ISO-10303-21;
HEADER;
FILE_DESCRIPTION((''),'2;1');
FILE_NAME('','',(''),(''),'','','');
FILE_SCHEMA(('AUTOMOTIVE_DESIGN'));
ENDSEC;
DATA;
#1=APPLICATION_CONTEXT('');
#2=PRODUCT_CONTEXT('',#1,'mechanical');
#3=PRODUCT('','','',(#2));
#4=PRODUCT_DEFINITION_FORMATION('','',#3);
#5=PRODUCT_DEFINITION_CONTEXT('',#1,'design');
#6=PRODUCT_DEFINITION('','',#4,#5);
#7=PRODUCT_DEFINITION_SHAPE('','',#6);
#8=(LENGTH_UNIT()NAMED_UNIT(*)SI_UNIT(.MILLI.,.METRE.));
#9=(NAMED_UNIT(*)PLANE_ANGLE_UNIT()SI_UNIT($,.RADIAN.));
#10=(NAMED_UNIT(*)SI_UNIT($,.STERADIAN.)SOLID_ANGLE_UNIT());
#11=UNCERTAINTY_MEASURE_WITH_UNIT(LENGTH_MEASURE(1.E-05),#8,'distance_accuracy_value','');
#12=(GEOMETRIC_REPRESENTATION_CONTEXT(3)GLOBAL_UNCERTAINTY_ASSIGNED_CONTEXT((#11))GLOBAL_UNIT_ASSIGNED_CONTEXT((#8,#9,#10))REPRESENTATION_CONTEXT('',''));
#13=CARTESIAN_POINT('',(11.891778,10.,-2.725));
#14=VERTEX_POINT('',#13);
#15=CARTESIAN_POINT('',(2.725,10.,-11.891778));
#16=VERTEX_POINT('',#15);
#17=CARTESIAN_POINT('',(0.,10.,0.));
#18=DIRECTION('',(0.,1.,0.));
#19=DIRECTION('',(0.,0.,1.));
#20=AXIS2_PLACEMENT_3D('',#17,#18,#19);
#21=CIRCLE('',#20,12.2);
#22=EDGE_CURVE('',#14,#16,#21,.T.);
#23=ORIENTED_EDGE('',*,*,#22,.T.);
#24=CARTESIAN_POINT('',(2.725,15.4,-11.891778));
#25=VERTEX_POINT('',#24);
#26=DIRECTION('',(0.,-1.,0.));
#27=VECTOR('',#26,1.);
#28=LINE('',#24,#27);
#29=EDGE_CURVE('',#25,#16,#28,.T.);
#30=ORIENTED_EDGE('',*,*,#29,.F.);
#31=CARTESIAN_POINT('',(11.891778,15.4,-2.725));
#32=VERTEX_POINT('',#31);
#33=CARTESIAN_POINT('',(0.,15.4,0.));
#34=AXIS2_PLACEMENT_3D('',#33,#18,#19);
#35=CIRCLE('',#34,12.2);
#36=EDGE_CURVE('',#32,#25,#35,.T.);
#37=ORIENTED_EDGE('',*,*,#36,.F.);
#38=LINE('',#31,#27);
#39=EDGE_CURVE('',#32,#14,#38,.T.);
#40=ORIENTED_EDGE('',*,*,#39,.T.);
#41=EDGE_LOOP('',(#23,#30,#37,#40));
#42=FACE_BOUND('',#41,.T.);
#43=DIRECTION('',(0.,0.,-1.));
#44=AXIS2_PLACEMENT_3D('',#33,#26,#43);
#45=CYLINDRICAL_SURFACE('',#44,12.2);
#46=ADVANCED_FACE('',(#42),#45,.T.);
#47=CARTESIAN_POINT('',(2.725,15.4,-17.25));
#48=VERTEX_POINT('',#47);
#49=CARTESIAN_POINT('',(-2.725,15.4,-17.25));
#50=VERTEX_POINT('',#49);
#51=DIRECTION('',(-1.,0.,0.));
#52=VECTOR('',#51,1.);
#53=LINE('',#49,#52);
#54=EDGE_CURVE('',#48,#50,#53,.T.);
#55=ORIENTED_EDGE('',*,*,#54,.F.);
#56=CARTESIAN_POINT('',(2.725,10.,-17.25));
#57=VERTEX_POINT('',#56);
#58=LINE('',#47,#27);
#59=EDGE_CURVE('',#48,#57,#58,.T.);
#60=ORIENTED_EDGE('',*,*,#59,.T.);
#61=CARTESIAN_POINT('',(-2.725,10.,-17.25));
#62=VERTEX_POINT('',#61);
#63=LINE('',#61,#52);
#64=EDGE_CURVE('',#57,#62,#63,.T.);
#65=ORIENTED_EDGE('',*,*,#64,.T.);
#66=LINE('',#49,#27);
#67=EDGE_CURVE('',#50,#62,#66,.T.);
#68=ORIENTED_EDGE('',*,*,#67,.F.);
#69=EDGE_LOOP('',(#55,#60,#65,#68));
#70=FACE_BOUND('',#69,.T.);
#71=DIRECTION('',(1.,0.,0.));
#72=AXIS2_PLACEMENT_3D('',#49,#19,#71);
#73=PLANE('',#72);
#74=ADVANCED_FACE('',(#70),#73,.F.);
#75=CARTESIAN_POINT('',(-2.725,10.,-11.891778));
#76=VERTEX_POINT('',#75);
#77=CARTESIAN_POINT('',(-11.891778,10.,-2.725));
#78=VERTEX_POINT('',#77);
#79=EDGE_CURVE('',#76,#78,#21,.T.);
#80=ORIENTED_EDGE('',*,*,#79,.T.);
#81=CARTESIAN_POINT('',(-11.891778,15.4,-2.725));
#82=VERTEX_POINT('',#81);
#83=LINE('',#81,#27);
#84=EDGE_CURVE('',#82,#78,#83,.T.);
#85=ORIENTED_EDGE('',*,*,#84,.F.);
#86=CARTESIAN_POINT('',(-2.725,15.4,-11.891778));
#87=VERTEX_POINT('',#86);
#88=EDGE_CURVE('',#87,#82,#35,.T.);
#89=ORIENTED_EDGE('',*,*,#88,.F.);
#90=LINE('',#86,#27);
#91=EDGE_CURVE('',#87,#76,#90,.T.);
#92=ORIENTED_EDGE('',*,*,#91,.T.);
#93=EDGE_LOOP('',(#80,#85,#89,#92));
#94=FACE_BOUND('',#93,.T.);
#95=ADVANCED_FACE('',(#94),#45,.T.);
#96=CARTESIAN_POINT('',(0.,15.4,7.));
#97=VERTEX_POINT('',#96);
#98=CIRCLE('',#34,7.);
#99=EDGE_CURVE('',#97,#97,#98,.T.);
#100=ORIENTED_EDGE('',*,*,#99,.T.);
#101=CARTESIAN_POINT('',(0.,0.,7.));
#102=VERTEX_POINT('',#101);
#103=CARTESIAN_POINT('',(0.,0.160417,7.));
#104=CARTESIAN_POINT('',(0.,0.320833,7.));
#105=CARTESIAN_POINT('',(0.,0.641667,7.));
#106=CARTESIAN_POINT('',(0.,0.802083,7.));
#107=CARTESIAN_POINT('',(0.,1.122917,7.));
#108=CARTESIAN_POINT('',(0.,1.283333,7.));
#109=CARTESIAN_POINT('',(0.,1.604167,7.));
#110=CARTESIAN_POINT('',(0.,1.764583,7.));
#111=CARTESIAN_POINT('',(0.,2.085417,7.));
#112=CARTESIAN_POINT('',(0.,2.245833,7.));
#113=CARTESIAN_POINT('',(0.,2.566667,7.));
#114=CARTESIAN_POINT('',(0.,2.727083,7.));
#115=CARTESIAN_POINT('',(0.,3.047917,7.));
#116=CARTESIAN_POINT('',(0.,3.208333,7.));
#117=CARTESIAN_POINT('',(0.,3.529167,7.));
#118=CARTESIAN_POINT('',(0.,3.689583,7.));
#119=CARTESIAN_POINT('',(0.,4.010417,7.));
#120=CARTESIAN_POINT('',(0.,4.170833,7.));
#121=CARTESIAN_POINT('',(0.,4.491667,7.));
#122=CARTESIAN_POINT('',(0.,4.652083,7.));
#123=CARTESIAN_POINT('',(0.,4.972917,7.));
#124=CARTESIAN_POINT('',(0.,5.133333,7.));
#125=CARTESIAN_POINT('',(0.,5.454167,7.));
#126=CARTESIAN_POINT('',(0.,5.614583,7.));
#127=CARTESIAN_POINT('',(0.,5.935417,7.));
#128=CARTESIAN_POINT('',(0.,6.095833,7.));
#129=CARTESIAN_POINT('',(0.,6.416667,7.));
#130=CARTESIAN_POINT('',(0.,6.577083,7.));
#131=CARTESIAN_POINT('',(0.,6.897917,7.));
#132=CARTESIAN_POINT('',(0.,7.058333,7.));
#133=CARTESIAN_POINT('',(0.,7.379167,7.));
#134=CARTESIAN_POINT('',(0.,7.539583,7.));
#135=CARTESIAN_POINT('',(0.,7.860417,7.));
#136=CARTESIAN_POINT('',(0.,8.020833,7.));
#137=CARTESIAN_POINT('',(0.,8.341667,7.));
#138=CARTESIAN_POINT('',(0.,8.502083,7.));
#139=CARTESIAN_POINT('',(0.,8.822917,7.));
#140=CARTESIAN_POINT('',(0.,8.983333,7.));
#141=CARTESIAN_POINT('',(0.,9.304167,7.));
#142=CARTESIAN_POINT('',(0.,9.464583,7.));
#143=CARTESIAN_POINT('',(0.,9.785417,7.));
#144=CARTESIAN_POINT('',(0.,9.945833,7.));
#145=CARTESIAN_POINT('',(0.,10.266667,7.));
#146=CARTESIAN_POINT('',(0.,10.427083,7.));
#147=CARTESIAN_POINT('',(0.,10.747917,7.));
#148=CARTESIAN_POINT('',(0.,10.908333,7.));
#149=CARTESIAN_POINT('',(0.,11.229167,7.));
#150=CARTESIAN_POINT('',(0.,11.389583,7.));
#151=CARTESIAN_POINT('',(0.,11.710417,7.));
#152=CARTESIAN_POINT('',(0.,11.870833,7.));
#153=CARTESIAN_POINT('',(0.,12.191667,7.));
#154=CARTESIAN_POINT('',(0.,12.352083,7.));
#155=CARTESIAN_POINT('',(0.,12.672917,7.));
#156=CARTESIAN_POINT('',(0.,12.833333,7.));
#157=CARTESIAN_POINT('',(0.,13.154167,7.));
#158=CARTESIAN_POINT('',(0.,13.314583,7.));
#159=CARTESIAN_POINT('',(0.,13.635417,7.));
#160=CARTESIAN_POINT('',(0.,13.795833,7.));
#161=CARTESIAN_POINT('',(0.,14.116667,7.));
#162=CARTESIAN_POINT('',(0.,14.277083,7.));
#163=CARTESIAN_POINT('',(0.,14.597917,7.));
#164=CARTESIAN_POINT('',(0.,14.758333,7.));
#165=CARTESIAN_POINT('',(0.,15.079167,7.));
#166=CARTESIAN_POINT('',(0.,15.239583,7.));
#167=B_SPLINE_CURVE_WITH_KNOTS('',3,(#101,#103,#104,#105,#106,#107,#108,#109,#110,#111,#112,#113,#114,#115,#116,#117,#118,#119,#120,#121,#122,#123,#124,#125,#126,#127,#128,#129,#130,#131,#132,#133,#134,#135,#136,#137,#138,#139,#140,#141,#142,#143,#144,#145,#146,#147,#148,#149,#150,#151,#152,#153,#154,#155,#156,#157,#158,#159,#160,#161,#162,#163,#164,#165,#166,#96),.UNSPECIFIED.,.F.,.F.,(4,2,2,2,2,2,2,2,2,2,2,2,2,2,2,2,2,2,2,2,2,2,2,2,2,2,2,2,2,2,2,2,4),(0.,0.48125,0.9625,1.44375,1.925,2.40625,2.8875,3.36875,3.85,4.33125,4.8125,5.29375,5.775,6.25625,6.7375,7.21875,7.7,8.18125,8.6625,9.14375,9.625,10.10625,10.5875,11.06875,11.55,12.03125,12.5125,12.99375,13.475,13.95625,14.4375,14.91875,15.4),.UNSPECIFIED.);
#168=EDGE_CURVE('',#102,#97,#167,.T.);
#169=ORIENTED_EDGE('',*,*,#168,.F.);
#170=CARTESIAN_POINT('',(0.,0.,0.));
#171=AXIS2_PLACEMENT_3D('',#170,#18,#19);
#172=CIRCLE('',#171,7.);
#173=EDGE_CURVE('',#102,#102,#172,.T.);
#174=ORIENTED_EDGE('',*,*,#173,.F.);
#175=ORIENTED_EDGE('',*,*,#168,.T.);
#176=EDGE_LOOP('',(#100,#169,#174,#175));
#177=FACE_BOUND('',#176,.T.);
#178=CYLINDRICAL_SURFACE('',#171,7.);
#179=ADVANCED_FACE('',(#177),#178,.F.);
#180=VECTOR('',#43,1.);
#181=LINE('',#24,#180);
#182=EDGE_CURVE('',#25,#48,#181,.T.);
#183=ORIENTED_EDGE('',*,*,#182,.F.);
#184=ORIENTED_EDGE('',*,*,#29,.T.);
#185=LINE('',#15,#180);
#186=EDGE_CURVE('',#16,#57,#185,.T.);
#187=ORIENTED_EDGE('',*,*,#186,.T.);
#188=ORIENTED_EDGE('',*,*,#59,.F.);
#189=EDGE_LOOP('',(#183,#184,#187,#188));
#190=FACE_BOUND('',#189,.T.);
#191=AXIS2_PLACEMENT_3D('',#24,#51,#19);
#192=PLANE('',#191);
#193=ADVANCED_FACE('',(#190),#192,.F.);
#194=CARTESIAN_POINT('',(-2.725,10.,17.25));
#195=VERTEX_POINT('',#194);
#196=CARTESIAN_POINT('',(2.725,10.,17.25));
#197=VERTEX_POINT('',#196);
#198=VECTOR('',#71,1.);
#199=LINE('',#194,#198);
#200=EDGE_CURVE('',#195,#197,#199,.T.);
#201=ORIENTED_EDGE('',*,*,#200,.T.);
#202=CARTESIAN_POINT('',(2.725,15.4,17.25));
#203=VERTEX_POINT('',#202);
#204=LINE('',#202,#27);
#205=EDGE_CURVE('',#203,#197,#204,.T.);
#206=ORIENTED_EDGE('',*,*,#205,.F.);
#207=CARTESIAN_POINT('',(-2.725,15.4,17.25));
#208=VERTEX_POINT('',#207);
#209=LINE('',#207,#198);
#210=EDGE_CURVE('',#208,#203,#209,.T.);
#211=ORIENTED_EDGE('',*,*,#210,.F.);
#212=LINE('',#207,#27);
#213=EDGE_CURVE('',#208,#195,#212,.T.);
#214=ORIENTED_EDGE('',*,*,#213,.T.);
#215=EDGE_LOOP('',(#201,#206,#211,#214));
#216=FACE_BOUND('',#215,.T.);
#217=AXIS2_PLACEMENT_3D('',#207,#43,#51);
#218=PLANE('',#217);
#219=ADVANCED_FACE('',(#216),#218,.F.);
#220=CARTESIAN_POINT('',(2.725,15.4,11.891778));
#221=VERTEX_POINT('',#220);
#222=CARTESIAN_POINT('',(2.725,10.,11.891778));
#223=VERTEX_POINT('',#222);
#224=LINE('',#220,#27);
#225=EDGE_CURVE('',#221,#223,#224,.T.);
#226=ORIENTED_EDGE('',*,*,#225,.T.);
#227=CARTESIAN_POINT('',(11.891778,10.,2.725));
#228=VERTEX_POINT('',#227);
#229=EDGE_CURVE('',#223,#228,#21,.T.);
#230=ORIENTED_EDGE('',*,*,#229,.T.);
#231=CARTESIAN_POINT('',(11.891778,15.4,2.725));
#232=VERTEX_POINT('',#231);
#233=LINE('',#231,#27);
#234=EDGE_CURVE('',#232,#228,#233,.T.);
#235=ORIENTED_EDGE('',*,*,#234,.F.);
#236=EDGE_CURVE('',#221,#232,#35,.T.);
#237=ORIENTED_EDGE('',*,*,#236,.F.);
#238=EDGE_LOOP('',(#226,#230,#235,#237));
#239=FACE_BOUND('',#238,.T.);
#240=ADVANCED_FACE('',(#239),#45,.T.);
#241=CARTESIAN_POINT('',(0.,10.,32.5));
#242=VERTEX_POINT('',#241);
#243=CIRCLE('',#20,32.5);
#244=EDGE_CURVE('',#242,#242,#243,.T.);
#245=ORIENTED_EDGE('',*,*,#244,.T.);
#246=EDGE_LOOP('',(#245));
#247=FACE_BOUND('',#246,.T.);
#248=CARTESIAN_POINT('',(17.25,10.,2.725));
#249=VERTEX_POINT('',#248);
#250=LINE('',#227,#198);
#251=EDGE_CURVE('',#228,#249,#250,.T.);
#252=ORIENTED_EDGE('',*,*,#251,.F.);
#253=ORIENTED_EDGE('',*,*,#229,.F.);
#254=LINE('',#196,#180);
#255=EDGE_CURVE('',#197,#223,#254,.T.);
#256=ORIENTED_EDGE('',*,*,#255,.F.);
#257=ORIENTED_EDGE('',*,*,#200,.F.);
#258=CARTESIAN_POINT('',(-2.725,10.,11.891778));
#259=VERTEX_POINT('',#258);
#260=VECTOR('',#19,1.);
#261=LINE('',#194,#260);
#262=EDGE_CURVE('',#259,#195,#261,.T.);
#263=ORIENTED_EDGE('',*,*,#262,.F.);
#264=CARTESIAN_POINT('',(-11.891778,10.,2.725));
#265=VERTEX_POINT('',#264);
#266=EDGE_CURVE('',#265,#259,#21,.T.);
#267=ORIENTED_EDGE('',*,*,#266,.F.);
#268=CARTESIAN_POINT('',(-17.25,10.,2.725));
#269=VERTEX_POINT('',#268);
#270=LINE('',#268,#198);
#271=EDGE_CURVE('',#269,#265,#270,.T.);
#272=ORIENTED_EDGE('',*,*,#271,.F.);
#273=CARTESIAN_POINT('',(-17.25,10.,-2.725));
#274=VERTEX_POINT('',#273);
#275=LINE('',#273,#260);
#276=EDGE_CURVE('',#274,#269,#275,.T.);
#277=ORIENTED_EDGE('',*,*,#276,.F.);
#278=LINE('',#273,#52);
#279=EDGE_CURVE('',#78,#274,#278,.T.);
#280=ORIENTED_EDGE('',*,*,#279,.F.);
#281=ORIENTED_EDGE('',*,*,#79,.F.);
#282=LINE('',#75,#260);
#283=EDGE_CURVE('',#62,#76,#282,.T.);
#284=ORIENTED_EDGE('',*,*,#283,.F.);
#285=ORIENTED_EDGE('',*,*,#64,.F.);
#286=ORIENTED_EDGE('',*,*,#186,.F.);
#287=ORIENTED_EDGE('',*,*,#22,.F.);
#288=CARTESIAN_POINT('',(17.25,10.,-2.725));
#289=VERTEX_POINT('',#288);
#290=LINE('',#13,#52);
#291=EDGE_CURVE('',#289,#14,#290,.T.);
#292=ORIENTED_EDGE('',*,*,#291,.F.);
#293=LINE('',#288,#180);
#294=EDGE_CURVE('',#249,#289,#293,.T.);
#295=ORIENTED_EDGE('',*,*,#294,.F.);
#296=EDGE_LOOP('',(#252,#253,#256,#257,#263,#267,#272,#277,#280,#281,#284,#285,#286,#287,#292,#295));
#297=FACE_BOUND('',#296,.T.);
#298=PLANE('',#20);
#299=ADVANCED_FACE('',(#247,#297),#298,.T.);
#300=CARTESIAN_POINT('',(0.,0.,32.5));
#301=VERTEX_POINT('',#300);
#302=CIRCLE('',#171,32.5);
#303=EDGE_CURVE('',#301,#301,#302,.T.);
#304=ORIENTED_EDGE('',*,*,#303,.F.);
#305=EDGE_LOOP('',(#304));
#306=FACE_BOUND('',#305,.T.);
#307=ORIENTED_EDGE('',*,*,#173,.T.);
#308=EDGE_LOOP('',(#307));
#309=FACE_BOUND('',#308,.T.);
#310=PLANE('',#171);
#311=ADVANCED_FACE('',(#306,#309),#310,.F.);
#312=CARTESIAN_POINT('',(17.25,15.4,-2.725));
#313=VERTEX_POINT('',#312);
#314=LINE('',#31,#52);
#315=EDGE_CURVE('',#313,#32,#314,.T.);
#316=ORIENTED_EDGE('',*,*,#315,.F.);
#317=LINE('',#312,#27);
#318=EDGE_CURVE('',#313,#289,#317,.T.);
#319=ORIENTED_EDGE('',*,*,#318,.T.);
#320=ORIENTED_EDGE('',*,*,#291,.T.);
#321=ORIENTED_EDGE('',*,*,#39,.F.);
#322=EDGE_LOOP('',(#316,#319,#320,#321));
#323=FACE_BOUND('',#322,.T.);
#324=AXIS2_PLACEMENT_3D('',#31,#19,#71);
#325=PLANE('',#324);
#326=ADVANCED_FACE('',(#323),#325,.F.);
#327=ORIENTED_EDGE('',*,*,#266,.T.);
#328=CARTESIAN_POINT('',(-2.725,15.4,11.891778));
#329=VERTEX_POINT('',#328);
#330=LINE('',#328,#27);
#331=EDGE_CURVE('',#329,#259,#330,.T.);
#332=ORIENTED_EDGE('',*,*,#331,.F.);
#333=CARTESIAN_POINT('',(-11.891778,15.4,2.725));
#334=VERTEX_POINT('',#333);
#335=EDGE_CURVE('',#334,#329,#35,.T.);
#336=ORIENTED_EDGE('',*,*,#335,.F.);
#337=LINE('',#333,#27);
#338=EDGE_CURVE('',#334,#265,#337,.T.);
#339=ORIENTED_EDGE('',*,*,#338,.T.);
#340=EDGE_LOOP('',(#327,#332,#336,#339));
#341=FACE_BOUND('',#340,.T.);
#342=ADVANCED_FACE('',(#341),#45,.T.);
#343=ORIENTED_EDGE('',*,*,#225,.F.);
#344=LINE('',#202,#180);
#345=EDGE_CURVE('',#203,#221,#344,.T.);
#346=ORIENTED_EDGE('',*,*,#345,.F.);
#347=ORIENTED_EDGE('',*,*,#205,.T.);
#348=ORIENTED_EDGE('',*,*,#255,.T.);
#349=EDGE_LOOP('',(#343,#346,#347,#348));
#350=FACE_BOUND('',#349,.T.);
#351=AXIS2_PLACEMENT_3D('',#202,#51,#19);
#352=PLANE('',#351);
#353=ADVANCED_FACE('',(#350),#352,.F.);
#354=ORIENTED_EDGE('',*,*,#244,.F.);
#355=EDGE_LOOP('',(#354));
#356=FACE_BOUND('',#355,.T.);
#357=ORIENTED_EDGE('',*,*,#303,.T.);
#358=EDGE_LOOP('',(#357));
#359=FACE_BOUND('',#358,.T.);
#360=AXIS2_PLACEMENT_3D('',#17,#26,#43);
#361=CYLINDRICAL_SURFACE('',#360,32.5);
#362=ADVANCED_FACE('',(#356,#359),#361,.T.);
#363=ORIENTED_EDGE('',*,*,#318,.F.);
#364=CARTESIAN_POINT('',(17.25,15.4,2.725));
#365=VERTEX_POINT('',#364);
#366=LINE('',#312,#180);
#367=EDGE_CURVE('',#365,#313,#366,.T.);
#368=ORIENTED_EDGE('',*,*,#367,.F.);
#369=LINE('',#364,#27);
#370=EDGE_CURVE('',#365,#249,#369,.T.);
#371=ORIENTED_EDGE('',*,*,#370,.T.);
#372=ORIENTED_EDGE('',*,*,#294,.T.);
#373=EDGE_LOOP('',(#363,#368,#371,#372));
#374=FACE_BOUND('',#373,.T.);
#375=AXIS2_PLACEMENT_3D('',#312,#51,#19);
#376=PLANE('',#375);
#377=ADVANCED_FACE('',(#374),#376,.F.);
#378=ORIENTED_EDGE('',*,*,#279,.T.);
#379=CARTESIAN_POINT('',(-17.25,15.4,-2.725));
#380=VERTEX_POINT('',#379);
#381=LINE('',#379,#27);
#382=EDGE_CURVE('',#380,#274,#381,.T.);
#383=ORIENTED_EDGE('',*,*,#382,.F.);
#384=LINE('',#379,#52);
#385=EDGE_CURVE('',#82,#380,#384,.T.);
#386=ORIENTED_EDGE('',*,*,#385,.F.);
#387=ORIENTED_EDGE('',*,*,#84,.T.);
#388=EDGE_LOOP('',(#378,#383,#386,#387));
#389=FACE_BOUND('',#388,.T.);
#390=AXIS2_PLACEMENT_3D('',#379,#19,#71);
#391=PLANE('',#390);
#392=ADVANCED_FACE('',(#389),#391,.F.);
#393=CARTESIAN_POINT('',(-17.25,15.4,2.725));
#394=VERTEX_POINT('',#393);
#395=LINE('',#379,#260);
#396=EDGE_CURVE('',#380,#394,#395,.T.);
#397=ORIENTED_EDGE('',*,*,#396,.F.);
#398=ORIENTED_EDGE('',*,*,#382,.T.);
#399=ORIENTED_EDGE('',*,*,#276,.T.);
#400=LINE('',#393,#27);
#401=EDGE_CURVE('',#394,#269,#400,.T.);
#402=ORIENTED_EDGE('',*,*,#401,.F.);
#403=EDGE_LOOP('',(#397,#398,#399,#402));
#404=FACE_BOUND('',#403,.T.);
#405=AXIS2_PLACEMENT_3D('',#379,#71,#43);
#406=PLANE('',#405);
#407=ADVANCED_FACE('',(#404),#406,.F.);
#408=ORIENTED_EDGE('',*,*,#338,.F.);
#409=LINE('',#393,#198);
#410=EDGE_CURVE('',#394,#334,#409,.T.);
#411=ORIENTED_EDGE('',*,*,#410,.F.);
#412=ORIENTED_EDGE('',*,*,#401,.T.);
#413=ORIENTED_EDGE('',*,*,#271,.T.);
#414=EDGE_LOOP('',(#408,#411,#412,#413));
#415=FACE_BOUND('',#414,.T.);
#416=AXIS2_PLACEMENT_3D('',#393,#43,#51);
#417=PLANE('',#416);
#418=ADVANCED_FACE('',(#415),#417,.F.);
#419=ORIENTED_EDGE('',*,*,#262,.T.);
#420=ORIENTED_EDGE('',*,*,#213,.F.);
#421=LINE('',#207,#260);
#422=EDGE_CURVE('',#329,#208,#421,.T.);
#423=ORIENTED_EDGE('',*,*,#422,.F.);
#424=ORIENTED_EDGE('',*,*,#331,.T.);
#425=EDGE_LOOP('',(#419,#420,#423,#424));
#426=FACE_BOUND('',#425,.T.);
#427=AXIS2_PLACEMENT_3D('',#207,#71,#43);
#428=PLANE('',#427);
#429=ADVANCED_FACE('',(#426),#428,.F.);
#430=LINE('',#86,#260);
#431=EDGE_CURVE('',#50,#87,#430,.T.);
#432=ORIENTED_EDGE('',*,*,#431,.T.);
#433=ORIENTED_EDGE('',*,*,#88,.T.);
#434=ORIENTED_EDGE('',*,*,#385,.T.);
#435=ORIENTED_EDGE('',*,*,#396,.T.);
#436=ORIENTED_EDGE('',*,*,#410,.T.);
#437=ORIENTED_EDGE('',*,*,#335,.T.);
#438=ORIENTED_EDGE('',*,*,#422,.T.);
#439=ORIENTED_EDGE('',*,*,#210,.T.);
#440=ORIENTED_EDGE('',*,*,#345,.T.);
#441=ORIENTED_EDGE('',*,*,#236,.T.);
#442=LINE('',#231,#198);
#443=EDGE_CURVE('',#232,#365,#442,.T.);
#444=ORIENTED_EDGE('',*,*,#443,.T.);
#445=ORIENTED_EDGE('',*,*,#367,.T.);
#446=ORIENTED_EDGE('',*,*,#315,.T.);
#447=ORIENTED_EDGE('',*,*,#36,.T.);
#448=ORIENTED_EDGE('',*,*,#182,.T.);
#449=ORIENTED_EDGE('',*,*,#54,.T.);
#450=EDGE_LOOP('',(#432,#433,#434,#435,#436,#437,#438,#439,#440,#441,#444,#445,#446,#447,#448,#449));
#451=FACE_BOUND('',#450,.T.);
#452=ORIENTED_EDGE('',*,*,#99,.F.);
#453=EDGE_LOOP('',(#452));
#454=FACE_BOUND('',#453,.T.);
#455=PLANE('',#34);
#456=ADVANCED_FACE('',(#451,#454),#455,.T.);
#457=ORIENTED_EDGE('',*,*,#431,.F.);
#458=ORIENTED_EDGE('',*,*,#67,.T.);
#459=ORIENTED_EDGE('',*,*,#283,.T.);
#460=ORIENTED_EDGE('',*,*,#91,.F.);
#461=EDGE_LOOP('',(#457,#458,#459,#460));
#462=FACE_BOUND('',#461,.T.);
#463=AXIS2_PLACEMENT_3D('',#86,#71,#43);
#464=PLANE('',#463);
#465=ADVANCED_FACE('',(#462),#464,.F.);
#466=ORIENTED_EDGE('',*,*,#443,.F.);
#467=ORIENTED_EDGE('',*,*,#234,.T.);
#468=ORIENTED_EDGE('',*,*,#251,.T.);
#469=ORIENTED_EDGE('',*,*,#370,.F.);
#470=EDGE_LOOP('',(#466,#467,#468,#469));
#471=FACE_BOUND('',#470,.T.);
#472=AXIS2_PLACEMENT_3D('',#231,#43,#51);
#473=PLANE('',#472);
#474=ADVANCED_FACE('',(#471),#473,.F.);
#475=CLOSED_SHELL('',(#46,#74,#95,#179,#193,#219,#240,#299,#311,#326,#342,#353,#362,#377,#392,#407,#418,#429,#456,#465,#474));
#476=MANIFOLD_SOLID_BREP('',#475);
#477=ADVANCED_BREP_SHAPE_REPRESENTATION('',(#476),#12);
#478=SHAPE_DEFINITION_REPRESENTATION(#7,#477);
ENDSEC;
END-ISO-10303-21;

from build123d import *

# Parameters (mm, degrees)
SKETCH1_R           = 32.5
BOSS_EXTRUDE1_DEPTH = 10
BOSS_EXTRUDE2_DEPTH = 5.4
SKETCH3_R           = 7
CUT_EXTRUDE1_DEPTH  = 49.473291615


with BuildPart() as part:
    # Sketch1 → Boss-Extrude1 (new body)
    with BuildSketch(Plane(origin=(0, 0, 0), x_dir=(1, 0, 0), z_dir=(0, 1, 0))):
        with Locations(Location((0, 0, 0), (0, 0, 270))):
            Circle(SKETCH1_R)
    extrude(amount=BOSS_EXTRUDE1_DEPTH)

    # Sketch2 → Boss-Extrude2 (add)
    with BuildSketch(Plane(origin=(0, 10, 0), x_dir=(1, 0, 0), z_dir=(0, 1, 0))):
        with BuildLine():
            Line((2.725, 11.891777622), (2.725, 17.25))
            Line((2.725, 17.25), (-2.725, 17.25))
            Line((-2.725, 17.25), (-2.725, 11.891777622))
            ThreePointArc((-2.725, 11.891777622), (-8.62670273, 8.62670273), (-11.891777622, 2.725))
            Line((-11.891777622, 2.725), (-17.25, 2.725))
            Line((-17.25, 2.725), (-17.25, -2.725))
            Line((-17.25, -2.725), (-11.891777622, -2.725))
            ThreePointArc((-11.891777622, -2.725), (-8.62670273, -8.62670273), (-2.725, -11.891777622))
            Line((-2.725, -11.891777622), (-2.725, -17.25))
            Line((-2.725, -17.25), (2.725, -17.25))
            Line((2.725, -17.25), (2.725, -11.891777622))
            ThreePointArc((2.725, -11.891777622), (8.62670273, -8.62670273), (11.891777622, -2.725))
            Line((11.891777622, -2.725), (17.25, -2.725))
            Line((17.25, -2.725), (17.25, 2.725))
            Line((17.25, 2.725), (11.891777622, 2.725))
            ThreePointArc((11.891777622, 2.725), (8.62670273, 8.62670273), (2.725, 11.891777622))
        make_face()
    extrude(amount=BOSS_EXTRUDE2_DEPTH)

    # Sketch3 → Cut-Extrude1 (cut, through all)
    with BuildSketch(Plane(origin=(0, 15.4, 0), x_dir=(1, 0, 0), z_dir=(0, 1, 0))):
        with Locations(Location((0, 0, 0), (0, 0, 270))):
            Circle(SKETCH3_R)
    extrude(amount=-CUT_EXTRUDE1_DEPTH, mode=Mode.SUBTRACT)


solid = part.part
